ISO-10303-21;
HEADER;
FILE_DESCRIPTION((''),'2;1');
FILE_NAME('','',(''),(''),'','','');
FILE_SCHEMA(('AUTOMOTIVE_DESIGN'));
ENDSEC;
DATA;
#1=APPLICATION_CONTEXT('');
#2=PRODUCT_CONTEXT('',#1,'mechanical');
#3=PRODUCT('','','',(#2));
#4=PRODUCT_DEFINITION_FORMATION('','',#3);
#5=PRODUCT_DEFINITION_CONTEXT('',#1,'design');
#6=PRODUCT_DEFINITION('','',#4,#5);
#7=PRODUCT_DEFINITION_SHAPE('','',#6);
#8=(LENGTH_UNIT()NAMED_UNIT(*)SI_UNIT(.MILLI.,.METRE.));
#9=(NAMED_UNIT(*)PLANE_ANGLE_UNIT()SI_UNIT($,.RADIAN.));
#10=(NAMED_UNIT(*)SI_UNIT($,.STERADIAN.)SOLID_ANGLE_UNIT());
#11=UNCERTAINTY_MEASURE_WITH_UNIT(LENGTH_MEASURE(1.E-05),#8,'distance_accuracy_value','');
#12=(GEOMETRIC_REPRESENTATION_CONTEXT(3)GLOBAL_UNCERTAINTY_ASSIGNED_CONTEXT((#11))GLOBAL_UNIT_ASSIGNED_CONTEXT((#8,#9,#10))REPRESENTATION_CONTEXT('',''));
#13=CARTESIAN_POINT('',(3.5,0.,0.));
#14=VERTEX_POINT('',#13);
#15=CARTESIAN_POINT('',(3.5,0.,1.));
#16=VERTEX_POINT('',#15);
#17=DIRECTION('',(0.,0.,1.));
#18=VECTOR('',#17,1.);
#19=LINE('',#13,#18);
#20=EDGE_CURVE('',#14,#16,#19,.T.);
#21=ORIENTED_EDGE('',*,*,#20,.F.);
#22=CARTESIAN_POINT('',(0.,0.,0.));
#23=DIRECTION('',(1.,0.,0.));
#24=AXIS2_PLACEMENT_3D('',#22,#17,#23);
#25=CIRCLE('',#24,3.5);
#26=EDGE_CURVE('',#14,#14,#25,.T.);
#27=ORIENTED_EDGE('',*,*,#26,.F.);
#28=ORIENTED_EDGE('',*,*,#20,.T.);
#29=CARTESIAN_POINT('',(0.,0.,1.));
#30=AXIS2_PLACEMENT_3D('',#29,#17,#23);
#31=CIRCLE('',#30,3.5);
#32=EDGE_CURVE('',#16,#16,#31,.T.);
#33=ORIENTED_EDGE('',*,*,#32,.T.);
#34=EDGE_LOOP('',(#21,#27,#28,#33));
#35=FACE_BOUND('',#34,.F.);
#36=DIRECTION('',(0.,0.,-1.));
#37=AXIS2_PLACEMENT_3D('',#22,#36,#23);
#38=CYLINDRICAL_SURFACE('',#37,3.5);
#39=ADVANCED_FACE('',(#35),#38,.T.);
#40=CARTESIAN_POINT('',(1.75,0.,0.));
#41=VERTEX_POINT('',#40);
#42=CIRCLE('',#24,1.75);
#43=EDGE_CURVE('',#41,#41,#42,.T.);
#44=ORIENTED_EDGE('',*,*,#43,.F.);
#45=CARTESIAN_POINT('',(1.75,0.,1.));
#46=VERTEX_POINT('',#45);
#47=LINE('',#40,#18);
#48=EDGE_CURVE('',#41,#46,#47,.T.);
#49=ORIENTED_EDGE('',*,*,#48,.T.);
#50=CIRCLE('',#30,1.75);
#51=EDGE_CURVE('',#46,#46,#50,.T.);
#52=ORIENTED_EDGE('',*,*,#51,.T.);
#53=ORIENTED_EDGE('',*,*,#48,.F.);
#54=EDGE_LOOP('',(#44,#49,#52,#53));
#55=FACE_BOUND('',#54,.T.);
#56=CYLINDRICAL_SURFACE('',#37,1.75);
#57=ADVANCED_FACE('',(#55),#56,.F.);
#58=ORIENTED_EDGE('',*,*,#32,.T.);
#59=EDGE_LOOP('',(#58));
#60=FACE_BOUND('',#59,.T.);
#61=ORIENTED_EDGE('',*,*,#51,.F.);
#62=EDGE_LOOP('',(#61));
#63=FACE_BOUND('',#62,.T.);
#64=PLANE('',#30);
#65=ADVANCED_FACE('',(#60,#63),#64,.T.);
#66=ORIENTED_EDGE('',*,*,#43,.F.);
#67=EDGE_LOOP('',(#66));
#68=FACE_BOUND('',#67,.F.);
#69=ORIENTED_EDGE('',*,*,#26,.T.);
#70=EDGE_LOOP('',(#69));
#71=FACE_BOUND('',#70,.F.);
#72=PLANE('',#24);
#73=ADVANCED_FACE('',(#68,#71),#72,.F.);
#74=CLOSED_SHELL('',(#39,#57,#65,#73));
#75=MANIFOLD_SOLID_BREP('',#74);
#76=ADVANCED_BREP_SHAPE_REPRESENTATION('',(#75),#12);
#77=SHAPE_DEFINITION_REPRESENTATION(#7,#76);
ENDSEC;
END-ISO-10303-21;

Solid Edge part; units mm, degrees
sketch "Sketch1" plane through (0, 0, 0) normal (0, 0, 1) x (1, 0, 0)
  circle A0 centre (0, 0) radius 3.5
  circle A1 centre (0, 0) radius 1.75
  dimension "D1" = 7
  dimension "D2" = 3.5
extrude "Protrusion1" add sketch "Sketch1" along normal blind 1
properties material "Graphite"
